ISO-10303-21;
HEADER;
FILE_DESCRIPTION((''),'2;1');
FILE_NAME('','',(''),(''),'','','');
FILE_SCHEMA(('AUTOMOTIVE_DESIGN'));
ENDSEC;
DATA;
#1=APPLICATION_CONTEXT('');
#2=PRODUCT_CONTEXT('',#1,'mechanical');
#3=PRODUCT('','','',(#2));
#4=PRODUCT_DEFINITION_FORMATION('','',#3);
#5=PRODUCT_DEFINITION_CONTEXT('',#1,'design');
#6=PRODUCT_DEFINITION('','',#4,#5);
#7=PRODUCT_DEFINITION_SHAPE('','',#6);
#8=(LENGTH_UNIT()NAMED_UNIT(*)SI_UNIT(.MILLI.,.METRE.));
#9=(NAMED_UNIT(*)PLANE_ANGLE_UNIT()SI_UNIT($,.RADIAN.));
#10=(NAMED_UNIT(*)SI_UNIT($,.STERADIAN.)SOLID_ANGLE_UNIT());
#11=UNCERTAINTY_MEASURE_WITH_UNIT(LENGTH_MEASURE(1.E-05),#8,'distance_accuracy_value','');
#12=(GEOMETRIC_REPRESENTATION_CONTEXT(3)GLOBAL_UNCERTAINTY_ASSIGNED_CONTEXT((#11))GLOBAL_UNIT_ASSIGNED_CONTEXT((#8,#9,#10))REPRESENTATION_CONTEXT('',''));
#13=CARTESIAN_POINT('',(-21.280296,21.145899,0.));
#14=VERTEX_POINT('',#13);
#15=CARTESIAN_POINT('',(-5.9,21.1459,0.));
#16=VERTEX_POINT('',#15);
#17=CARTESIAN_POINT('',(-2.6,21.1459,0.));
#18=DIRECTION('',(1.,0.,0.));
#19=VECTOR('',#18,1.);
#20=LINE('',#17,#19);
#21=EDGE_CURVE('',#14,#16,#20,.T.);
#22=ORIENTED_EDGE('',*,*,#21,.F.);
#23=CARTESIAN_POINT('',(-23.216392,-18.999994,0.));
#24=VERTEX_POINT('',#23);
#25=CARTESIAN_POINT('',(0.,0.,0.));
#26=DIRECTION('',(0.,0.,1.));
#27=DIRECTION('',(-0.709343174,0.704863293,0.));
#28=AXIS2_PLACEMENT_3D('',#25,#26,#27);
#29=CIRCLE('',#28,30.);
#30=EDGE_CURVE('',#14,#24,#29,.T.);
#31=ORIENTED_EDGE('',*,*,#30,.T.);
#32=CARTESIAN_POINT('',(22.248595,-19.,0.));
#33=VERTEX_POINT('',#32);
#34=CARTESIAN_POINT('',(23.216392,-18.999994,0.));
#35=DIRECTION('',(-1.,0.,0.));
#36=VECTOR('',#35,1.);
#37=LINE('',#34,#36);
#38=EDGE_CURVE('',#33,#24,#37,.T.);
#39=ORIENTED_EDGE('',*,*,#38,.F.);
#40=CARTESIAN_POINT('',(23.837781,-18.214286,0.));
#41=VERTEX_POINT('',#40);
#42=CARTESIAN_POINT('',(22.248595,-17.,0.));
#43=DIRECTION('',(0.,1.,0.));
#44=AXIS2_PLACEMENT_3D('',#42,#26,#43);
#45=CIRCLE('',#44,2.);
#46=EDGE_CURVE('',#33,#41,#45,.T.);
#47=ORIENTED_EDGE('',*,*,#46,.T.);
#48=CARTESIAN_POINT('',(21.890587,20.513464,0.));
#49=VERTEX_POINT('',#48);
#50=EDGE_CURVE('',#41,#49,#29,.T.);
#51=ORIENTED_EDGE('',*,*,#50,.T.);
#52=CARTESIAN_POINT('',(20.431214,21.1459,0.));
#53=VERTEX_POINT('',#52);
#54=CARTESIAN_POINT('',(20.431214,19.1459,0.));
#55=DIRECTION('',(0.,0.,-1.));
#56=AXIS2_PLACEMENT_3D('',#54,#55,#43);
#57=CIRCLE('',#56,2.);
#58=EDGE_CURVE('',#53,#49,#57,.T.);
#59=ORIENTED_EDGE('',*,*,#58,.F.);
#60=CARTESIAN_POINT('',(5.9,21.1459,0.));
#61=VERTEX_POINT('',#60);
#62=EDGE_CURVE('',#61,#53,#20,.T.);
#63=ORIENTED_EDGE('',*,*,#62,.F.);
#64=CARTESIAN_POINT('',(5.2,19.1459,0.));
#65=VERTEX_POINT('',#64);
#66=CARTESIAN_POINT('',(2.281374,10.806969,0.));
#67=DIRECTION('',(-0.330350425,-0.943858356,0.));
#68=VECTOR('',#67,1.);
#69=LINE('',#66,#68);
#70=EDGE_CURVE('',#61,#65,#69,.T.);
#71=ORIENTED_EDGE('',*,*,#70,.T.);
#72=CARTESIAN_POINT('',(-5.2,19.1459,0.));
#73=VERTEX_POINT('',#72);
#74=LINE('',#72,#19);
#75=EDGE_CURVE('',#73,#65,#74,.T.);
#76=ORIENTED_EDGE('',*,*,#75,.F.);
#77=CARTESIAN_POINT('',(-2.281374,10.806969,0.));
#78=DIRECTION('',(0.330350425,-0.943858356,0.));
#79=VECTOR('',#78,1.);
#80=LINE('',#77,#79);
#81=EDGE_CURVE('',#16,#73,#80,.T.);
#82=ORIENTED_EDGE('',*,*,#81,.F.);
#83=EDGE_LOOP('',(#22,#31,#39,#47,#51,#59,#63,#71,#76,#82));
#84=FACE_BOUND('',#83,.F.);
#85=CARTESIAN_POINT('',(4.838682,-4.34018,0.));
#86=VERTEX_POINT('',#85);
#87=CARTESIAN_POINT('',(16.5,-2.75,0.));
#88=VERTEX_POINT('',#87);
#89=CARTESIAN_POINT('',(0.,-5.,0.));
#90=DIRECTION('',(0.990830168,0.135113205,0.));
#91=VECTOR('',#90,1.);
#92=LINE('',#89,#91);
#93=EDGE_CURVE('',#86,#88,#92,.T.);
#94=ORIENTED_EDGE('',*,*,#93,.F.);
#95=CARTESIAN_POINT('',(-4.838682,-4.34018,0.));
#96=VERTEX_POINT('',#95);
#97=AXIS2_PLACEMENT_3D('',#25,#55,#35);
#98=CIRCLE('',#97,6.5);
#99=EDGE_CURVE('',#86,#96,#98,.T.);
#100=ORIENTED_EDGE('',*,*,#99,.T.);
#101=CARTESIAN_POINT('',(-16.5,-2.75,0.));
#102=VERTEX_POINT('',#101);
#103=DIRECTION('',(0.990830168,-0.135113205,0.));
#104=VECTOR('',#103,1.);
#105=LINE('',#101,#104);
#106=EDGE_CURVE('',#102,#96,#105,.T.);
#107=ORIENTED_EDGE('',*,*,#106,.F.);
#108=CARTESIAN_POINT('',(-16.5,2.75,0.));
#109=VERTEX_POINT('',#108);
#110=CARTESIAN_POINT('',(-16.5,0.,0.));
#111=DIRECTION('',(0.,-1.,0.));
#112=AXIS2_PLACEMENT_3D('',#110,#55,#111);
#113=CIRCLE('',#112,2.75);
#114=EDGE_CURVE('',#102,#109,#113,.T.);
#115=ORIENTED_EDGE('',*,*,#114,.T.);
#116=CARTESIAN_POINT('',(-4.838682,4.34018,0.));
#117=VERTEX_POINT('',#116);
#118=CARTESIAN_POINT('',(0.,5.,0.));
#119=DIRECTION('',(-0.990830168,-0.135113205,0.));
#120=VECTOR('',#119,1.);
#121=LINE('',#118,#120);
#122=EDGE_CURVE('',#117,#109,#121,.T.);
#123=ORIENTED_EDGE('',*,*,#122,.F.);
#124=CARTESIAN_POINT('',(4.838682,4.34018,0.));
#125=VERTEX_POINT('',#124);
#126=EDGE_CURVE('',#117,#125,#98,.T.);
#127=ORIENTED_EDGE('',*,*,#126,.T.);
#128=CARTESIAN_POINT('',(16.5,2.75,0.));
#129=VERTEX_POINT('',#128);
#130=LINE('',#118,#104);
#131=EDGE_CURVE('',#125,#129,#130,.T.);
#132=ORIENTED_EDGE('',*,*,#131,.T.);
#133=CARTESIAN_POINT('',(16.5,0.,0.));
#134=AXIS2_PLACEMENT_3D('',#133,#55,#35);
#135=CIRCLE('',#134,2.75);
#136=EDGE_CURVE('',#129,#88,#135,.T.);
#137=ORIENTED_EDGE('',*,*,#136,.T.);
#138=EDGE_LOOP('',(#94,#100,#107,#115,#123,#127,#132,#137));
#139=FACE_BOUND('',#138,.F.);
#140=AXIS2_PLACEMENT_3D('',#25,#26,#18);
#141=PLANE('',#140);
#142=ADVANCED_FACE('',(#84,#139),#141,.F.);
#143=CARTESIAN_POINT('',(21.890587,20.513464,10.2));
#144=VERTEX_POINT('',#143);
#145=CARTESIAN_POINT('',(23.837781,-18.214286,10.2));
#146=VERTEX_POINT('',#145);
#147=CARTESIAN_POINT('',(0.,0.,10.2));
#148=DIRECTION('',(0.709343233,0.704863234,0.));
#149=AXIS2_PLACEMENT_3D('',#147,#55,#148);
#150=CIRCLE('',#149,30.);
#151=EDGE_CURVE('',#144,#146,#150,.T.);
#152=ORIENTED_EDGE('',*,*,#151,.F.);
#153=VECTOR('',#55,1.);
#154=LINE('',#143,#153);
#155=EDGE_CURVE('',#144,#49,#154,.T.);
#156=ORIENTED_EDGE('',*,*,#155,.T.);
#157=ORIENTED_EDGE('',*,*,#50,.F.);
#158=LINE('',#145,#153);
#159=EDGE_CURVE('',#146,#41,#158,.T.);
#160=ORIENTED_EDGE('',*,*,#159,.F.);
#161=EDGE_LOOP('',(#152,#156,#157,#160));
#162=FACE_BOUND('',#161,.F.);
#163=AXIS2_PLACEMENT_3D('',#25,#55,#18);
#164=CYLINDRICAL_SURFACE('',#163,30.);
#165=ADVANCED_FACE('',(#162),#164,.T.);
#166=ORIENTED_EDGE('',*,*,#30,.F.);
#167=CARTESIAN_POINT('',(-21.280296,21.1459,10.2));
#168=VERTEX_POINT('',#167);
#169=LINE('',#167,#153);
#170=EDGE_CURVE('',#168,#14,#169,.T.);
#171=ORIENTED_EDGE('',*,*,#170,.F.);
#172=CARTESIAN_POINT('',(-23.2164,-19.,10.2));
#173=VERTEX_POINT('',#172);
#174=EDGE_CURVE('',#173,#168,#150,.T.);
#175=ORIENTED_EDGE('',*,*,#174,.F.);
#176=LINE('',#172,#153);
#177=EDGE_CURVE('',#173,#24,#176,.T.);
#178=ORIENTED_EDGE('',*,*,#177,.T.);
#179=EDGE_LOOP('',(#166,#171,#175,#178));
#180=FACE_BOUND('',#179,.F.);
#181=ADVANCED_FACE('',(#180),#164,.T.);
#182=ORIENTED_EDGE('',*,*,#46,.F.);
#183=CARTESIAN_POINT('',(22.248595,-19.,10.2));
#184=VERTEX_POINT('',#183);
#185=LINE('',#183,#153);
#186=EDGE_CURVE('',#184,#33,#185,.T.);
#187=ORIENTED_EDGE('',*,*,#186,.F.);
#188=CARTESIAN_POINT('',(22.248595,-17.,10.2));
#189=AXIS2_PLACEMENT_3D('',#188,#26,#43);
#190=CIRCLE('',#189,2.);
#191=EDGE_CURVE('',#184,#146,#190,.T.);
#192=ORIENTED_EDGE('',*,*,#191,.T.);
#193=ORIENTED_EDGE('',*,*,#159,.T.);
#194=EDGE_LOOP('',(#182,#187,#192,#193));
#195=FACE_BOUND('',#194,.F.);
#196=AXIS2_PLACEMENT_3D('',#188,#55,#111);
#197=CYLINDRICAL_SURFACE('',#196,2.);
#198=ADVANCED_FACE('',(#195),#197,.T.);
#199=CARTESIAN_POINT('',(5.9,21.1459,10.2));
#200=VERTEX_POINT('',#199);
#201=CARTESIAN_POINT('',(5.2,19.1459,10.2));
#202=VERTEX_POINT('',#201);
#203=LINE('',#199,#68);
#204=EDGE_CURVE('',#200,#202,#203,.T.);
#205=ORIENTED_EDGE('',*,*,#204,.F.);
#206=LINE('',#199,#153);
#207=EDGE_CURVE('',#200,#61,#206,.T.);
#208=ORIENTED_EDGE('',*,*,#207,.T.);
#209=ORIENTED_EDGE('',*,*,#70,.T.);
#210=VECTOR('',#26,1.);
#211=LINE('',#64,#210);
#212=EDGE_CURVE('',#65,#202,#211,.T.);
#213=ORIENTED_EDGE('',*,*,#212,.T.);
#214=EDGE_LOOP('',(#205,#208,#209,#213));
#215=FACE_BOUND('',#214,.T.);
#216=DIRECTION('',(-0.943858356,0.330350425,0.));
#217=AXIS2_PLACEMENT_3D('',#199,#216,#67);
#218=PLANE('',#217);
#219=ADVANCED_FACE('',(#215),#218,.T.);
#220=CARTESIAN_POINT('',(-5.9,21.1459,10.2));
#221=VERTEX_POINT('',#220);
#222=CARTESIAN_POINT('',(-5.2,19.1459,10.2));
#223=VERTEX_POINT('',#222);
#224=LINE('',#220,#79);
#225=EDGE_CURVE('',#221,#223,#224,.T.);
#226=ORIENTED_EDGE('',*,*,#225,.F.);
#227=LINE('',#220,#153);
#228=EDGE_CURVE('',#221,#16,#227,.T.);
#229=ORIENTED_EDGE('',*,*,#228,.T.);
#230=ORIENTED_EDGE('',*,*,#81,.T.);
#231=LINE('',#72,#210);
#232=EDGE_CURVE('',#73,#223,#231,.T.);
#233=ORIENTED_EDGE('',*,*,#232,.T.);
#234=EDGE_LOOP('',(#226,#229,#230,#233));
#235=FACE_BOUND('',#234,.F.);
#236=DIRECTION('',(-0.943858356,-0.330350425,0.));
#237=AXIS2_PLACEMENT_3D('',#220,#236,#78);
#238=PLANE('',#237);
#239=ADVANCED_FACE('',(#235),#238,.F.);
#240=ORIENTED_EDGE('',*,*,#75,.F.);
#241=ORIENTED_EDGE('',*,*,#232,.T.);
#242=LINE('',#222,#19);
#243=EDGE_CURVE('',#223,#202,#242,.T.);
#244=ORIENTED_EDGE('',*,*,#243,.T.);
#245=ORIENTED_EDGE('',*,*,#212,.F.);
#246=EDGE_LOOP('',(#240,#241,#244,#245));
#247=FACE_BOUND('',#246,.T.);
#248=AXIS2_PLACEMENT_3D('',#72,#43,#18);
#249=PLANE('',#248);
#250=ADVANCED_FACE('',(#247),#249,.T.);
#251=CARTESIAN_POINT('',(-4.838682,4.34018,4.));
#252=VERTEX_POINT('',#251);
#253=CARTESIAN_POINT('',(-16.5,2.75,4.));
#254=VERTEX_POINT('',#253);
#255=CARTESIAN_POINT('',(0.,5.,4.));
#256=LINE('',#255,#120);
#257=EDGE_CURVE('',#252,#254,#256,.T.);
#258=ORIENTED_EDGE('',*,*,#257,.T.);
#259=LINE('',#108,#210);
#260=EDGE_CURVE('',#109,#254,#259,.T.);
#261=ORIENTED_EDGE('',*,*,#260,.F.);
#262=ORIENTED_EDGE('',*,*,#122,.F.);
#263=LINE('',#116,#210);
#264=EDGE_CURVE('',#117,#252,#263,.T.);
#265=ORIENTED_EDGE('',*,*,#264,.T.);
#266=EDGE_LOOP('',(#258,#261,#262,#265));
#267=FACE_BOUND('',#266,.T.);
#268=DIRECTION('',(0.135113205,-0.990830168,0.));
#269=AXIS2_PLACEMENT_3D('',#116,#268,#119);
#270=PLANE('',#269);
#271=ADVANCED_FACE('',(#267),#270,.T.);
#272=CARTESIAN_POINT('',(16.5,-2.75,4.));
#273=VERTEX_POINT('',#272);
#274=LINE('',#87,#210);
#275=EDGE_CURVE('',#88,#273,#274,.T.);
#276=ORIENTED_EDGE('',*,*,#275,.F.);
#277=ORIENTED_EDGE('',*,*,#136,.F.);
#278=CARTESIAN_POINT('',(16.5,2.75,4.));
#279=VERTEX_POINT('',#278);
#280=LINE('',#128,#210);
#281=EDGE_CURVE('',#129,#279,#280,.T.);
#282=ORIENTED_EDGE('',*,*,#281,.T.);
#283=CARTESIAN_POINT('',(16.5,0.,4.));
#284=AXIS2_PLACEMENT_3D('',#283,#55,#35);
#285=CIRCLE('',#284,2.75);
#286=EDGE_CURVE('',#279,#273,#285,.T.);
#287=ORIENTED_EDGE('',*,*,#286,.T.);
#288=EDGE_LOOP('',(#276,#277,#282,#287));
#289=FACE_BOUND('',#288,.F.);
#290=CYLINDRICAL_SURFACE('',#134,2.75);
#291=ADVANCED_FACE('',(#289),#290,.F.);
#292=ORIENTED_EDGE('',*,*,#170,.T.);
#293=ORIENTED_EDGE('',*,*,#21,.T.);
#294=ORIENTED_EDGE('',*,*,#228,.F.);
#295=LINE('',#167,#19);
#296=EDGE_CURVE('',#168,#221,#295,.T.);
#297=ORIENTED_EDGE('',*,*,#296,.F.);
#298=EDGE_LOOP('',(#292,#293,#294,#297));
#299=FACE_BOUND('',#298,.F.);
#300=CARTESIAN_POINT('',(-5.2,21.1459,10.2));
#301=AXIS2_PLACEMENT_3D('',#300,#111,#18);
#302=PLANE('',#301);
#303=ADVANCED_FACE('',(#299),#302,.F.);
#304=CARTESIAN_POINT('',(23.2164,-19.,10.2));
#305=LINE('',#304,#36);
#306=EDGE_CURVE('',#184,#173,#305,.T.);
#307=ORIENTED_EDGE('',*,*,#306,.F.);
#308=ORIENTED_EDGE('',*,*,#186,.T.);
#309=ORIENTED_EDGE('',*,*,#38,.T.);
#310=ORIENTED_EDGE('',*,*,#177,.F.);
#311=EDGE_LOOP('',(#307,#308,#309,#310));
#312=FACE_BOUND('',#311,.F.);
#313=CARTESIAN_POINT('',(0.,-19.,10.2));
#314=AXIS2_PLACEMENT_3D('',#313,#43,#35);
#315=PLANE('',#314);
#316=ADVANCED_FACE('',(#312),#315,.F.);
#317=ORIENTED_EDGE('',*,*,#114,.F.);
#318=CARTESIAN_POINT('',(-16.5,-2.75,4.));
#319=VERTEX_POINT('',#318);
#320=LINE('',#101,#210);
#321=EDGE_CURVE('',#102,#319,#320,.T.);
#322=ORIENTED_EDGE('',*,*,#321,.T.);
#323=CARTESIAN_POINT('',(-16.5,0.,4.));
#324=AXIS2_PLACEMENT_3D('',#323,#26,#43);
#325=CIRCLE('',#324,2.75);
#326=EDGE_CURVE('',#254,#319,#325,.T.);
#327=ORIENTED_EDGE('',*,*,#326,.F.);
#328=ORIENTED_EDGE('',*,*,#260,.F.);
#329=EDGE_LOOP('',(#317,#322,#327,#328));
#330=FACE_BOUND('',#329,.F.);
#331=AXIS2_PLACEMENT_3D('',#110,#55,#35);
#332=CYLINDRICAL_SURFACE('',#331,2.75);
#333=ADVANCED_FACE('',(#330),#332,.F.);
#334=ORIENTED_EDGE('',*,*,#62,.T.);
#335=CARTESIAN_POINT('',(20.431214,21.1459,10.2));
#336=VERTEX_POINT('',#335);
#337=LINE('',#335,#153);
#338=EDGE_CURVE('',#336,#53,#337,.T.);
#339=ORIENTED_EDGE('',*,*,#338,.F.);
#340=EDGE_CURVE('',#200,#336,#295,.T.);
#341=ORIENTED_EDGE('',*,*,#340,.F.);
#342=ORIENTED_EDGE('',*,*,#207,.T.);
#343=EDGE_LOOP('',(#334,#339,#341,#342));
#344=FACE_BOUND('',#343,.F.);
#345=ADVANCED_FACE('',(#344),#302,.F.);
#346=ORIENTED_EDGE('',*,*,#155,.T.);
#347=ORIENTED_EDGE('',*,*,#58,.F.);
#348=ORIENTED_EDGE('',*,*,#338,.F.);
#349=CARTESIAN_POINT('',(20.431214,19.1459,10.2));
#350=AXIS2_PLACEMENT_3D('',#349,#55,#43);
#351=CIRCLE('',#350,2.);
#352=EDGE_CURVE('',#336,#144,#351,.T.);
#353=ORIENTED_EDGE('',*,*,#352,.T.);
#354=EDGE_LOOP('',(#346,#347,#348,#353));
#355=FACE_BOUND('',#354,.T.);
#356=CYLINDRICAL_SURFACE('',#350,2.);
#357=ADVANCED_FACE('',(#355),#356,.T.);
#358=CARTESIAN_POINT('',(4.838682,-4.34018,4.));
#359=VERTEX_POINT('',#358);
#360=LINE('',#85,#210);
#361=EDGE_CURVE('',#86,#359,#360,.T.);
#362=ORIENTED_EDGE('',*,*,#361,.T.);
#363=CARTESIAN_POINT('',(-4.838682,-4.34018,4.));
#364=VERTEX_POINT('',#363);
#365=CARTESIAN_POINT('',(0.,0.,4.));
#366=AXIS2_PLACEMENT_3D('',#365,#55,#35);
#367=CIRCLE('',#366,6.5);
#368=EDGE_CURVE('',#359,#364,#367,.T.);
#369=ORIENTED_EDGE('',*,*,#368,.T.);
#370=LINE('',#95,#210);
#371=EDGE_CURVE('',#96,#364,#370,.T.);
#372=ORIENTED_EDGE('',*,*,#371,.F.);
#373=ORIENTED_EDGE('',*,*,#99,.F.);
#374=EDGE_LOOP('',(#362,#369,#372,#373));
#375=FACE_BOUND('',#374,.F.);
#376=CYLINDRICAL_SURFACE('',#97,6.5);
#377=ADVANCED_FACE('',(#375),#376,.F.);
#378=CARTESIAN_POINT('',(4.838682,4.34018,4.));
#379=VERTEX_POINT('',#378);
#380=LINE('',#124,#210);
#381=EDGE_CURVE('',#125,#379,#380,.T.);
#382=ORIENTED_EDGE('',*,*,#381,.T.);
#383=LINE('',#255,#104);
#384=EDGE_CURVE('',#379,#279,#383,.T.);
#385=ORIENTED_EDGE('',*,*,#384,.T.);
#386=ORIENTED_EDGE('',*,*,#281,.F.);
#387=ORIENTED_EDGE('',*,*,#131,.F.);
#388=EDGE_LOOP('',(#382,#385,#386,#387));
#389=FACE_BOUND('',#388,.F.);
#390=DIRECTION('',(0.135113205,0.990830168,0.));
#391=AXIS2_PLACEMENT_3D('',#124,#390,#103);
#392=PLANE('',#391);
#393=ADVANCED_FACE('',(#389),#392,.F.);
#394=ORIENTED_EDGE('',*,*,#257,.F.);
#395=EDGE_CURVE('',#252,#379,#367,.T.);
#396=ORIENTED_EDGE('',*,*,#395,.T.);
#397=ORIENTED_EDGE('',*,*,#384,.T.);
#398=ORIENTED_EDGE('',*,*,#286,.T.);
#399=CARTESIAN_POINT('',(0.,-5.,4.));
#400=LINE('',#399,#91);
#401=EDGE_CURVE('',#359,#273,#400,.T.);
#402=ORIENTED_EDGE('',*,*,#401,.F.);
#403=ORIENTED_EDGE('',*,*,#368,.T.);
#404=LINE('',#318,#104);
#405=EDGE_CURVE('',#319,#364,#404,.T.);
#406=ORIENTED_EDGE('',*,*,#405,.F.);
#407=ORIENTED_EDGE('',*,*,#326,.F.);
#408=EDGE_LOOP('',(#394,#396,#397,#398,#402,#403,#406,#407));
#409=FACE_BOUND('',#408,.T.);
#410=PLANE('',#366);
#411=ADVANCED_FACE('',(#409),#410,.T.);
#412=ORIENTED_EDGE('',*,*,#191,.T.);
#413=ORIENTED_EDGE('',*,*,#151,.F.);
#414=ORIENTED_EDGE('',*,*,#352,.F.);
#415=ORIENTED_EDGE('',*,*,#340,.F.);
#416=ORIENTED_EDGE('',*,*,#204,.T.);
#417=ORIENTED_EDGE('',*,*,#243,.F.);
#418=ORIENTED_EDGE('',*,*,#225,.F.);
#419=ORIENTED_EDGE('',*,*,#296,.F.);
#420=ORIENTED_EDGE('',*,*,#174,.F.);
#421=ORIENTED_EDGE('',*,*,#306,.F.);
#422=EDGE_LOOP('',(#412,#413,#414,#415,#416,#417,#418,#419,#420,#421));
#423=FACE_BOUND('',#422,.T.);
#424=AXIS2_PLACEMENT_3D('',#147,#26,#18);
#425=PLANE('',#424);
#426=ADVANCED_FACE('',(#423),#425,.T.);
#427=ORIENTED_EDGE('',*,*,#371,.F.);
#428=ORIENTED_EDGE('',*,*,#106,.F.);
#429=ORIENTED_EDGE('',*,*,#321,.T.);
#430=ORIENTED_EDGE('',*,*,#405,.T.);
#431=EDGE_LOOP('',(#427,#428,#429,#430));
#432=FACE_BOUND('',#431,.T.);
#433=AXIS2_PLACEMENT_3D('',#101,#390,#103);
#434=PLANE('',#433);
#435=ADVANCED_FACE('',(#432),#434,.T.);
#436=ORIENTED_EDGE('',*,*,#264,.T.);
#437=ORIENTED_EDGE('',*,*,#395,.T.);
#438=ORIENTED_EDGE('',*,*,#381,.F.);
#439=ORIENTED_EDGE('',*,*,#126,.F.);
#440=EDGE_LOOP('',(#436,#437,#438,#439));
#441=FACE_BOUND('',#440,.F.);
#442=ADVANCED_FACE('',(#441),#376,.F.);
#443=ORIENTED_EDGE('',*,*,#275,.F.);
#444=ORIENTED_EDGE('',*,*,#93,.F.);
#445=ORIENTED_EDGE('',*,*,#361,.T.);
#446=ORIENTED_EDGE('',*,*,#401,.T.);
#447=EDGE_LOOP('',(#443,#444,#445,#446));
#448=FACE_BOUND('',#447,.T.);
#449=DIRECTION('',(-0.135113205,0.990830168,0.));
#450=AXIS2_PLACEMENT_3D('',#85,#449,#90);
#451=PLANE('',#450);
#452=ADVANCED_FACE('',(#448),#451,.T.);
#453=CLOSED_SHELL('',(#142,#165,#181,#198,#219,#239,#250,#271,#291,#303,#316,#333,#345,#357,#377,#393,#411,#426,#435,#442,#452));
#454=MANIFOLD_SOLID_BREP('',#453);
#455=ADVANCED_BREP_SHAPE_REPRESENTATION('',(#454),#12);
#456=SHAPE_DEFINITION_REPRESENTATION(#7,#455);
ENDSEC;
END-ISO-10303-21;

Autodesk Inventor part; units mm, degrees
ref_plane "YZ Plane" through (0, 0, 0) normal (1, 0, 0) x (0, 1, 0)
ref_plane "XZ Plane" through (0, 0, 0) normal (0, 1, 0) x (-1, 0, 0)
ref_plane "XY Plane" through (0, 0, 0) normal (0, 0, 1) x (1, 0, 0)
sketch "Эскиз5" plane through (0, 0, 0) normal (0, 0, 1) x (1, 0, 0)
  circle A0 centre (0, 0) radius 30
  line L0 (0, 30) -> (-5.2, 30)
  line L1 (-5.2, 30) -> (-5.2, 29.5459)
  line L2 (-5.2, 29.5459) -> (-5.2, 19.1459)
  line L3 (-5.2, 19.1459) -> (5.2, 19.1459)
  line L4 (5.2, 19.1459) -> (5.2, 29.5459)
  dimension "d17" = 60
  dimension "d18" = 5.2
  dimension "d19" = 10.4
  dimension "d20" = 10.4
extrude "Выдавливание3" add sketch "Эскиз5" along normal blind 10.2 contours A0 L2 L3 L4 picked at (-1.0099, 2.8151)
sketch "Эскиз7" plane through (0, 0, 10.2) normal (0, 0, 1) x (1, 0, 0)
  line L0 (5.2, 19.1459) -> (-5.2, 19.1459) projected
  line L1 (-5.2, 19.1459) -> (-5.2, 21.1459)
  line L2 (-5.2, 21.1459) -> (21.2803, 21.1459)
  arc A0 (-5.2, 29.5459) -> (5.2, 29.5459) centre (0, 0) ccw projected
  line L3 (-5.2, 21.1459) -> (-21.3192, 21.1459)
  line L4 (-5.2, 19.1459) -> (-5.2, 29.5459) projected
  circle A1 centre (0, 0) radius 30
  point P0 (-21.2803, 21.1459)
  point P1 (5.2, 29.5459)
  dimension "d26" = 2
extrude "Выдавливание5" cut sketch "Эскиз7" against normal blind 11 contours L4 A1 A0 L2 | L3 A0 L4
sketch "Эскиз8" plane through (0, 0, 10.2) normal (0, 0, 1) x (1, 0, 0)
  line L0 (-5.2, 21.1459) -> (-21.2803, 21.1459) projected
  line L1 (-5.2, 21.1459) -> (-5.9, 21.1459)
  line L2 (-5.2, 19.1459) -> (-5.2, 21.1459) projected
  line L3 (-5.9, 21.1459) -> (-5.2, 19.1459)
  line L4 (5.2, 21.1459) -> (5.2, 19.1459) projected
  line L5 (-5.2, 19.1459) -> (5.2, 19.1459)
  line L6 (5.2, 19.1459) -> (5.2, 21.1459)
  line L7 (5.2, 21.1459) -> (5.9, 21.1459)
  line L8 (21.2803, 21.1459) -> (5.2, 21.1459) projected
  line L9 (5.9, 21.1459) -> (5.2, 19.1459)
  point P0 (0, 0)
  dimension "d29" = 0.7
  dimension "d30" = 0.7
extrude "Выдавливание6" cut sketch "Эскиз8" against normal blind 11
sketch "Эскиз9" plane through (0, 0, 10.2) normal (0, 0, 1) x (1, 0, 0)
  line L0 (0, 0) -> (0, -19)
  line L1 (0, -19) -> (23.2164, -19)
  arc A0 (-21.2803, 21.1459) -> (21.2803, 21.1459) centre (0, 0) ccw projected
  line L2 (0, -19) -> (-23.2164, -19)
  circle A1 centre (0, 0) radius 30
  dimension "d33" = 19
extrude "Выдавливание7" cut sketch "Эскиз9" against normal blind 11 contours L1 A0 L2
fillet "Сопряжение1" radius 2 2 edges at (23.2164, -19, 5.1) (21.2803, 21.1459, 5.1)
sketch "Эскиз10" plane through (0, 0, 0) normal (0, 0, -1) x (-1, 0, 0)
  circle A0 centre (0, 0) radius 6.5
  circle A1 centre (0, 0) radius 5
  line L0 (0, 0) -> (19, 0)
  line L1 (19, 0) -> (-19, 0)
  line L2 (-19, 0) -> (-16.5, 0)
  line L3 (19, 0) -> (16.5, 0)
  circle A2 centre (-16.5, 0) radius 2.75
  circle A3 centre (16.5, 0) radius 2.75
  line L4 (0, 5) -> (-16.5, 2.75)
  line L5 (0, 5) -> (16.5, 2.75)
  line L6 (16.5, -2.75) -> (0, -5)
  line L7 (0, -5) -> (-16.5, -2.75)
  point P0 (-4.8387, -4.3402)
  point P1 (4.8387, -4.3402)
  point P2 (4.8387, 4.3402)
  point P3 (-4.8387, 4.3402)
  dimension "d39" = 13
  dimension "d40" = 10
  dimension "d41" = 19
  dimension "d42" = 38
  dimension "d43" = 2.5
  dimension "d44" = 2.5
  dimension "d45" = 5.5
  dimension "d46" = 5.5
extrude "Выдавливание8" cut sketch "Эскиз10" against normal blind 4
sketch "Эскиз12" plane through (0, 0, 0) normal (0, 0, -1) x (-1, 0, 0)
  point P0 (0, 0)
sketch "Эскиз13" plane through (0, 0, 4) normal (0, 0, -1) x (-1, 0, 0)
  line L0 (-5.2, 19.1459) -> (5.2, 19.1459) projected
  point P0 (0, 0)
  dimension "d49" = 19.1459
properties part number "vydacha_disk"
